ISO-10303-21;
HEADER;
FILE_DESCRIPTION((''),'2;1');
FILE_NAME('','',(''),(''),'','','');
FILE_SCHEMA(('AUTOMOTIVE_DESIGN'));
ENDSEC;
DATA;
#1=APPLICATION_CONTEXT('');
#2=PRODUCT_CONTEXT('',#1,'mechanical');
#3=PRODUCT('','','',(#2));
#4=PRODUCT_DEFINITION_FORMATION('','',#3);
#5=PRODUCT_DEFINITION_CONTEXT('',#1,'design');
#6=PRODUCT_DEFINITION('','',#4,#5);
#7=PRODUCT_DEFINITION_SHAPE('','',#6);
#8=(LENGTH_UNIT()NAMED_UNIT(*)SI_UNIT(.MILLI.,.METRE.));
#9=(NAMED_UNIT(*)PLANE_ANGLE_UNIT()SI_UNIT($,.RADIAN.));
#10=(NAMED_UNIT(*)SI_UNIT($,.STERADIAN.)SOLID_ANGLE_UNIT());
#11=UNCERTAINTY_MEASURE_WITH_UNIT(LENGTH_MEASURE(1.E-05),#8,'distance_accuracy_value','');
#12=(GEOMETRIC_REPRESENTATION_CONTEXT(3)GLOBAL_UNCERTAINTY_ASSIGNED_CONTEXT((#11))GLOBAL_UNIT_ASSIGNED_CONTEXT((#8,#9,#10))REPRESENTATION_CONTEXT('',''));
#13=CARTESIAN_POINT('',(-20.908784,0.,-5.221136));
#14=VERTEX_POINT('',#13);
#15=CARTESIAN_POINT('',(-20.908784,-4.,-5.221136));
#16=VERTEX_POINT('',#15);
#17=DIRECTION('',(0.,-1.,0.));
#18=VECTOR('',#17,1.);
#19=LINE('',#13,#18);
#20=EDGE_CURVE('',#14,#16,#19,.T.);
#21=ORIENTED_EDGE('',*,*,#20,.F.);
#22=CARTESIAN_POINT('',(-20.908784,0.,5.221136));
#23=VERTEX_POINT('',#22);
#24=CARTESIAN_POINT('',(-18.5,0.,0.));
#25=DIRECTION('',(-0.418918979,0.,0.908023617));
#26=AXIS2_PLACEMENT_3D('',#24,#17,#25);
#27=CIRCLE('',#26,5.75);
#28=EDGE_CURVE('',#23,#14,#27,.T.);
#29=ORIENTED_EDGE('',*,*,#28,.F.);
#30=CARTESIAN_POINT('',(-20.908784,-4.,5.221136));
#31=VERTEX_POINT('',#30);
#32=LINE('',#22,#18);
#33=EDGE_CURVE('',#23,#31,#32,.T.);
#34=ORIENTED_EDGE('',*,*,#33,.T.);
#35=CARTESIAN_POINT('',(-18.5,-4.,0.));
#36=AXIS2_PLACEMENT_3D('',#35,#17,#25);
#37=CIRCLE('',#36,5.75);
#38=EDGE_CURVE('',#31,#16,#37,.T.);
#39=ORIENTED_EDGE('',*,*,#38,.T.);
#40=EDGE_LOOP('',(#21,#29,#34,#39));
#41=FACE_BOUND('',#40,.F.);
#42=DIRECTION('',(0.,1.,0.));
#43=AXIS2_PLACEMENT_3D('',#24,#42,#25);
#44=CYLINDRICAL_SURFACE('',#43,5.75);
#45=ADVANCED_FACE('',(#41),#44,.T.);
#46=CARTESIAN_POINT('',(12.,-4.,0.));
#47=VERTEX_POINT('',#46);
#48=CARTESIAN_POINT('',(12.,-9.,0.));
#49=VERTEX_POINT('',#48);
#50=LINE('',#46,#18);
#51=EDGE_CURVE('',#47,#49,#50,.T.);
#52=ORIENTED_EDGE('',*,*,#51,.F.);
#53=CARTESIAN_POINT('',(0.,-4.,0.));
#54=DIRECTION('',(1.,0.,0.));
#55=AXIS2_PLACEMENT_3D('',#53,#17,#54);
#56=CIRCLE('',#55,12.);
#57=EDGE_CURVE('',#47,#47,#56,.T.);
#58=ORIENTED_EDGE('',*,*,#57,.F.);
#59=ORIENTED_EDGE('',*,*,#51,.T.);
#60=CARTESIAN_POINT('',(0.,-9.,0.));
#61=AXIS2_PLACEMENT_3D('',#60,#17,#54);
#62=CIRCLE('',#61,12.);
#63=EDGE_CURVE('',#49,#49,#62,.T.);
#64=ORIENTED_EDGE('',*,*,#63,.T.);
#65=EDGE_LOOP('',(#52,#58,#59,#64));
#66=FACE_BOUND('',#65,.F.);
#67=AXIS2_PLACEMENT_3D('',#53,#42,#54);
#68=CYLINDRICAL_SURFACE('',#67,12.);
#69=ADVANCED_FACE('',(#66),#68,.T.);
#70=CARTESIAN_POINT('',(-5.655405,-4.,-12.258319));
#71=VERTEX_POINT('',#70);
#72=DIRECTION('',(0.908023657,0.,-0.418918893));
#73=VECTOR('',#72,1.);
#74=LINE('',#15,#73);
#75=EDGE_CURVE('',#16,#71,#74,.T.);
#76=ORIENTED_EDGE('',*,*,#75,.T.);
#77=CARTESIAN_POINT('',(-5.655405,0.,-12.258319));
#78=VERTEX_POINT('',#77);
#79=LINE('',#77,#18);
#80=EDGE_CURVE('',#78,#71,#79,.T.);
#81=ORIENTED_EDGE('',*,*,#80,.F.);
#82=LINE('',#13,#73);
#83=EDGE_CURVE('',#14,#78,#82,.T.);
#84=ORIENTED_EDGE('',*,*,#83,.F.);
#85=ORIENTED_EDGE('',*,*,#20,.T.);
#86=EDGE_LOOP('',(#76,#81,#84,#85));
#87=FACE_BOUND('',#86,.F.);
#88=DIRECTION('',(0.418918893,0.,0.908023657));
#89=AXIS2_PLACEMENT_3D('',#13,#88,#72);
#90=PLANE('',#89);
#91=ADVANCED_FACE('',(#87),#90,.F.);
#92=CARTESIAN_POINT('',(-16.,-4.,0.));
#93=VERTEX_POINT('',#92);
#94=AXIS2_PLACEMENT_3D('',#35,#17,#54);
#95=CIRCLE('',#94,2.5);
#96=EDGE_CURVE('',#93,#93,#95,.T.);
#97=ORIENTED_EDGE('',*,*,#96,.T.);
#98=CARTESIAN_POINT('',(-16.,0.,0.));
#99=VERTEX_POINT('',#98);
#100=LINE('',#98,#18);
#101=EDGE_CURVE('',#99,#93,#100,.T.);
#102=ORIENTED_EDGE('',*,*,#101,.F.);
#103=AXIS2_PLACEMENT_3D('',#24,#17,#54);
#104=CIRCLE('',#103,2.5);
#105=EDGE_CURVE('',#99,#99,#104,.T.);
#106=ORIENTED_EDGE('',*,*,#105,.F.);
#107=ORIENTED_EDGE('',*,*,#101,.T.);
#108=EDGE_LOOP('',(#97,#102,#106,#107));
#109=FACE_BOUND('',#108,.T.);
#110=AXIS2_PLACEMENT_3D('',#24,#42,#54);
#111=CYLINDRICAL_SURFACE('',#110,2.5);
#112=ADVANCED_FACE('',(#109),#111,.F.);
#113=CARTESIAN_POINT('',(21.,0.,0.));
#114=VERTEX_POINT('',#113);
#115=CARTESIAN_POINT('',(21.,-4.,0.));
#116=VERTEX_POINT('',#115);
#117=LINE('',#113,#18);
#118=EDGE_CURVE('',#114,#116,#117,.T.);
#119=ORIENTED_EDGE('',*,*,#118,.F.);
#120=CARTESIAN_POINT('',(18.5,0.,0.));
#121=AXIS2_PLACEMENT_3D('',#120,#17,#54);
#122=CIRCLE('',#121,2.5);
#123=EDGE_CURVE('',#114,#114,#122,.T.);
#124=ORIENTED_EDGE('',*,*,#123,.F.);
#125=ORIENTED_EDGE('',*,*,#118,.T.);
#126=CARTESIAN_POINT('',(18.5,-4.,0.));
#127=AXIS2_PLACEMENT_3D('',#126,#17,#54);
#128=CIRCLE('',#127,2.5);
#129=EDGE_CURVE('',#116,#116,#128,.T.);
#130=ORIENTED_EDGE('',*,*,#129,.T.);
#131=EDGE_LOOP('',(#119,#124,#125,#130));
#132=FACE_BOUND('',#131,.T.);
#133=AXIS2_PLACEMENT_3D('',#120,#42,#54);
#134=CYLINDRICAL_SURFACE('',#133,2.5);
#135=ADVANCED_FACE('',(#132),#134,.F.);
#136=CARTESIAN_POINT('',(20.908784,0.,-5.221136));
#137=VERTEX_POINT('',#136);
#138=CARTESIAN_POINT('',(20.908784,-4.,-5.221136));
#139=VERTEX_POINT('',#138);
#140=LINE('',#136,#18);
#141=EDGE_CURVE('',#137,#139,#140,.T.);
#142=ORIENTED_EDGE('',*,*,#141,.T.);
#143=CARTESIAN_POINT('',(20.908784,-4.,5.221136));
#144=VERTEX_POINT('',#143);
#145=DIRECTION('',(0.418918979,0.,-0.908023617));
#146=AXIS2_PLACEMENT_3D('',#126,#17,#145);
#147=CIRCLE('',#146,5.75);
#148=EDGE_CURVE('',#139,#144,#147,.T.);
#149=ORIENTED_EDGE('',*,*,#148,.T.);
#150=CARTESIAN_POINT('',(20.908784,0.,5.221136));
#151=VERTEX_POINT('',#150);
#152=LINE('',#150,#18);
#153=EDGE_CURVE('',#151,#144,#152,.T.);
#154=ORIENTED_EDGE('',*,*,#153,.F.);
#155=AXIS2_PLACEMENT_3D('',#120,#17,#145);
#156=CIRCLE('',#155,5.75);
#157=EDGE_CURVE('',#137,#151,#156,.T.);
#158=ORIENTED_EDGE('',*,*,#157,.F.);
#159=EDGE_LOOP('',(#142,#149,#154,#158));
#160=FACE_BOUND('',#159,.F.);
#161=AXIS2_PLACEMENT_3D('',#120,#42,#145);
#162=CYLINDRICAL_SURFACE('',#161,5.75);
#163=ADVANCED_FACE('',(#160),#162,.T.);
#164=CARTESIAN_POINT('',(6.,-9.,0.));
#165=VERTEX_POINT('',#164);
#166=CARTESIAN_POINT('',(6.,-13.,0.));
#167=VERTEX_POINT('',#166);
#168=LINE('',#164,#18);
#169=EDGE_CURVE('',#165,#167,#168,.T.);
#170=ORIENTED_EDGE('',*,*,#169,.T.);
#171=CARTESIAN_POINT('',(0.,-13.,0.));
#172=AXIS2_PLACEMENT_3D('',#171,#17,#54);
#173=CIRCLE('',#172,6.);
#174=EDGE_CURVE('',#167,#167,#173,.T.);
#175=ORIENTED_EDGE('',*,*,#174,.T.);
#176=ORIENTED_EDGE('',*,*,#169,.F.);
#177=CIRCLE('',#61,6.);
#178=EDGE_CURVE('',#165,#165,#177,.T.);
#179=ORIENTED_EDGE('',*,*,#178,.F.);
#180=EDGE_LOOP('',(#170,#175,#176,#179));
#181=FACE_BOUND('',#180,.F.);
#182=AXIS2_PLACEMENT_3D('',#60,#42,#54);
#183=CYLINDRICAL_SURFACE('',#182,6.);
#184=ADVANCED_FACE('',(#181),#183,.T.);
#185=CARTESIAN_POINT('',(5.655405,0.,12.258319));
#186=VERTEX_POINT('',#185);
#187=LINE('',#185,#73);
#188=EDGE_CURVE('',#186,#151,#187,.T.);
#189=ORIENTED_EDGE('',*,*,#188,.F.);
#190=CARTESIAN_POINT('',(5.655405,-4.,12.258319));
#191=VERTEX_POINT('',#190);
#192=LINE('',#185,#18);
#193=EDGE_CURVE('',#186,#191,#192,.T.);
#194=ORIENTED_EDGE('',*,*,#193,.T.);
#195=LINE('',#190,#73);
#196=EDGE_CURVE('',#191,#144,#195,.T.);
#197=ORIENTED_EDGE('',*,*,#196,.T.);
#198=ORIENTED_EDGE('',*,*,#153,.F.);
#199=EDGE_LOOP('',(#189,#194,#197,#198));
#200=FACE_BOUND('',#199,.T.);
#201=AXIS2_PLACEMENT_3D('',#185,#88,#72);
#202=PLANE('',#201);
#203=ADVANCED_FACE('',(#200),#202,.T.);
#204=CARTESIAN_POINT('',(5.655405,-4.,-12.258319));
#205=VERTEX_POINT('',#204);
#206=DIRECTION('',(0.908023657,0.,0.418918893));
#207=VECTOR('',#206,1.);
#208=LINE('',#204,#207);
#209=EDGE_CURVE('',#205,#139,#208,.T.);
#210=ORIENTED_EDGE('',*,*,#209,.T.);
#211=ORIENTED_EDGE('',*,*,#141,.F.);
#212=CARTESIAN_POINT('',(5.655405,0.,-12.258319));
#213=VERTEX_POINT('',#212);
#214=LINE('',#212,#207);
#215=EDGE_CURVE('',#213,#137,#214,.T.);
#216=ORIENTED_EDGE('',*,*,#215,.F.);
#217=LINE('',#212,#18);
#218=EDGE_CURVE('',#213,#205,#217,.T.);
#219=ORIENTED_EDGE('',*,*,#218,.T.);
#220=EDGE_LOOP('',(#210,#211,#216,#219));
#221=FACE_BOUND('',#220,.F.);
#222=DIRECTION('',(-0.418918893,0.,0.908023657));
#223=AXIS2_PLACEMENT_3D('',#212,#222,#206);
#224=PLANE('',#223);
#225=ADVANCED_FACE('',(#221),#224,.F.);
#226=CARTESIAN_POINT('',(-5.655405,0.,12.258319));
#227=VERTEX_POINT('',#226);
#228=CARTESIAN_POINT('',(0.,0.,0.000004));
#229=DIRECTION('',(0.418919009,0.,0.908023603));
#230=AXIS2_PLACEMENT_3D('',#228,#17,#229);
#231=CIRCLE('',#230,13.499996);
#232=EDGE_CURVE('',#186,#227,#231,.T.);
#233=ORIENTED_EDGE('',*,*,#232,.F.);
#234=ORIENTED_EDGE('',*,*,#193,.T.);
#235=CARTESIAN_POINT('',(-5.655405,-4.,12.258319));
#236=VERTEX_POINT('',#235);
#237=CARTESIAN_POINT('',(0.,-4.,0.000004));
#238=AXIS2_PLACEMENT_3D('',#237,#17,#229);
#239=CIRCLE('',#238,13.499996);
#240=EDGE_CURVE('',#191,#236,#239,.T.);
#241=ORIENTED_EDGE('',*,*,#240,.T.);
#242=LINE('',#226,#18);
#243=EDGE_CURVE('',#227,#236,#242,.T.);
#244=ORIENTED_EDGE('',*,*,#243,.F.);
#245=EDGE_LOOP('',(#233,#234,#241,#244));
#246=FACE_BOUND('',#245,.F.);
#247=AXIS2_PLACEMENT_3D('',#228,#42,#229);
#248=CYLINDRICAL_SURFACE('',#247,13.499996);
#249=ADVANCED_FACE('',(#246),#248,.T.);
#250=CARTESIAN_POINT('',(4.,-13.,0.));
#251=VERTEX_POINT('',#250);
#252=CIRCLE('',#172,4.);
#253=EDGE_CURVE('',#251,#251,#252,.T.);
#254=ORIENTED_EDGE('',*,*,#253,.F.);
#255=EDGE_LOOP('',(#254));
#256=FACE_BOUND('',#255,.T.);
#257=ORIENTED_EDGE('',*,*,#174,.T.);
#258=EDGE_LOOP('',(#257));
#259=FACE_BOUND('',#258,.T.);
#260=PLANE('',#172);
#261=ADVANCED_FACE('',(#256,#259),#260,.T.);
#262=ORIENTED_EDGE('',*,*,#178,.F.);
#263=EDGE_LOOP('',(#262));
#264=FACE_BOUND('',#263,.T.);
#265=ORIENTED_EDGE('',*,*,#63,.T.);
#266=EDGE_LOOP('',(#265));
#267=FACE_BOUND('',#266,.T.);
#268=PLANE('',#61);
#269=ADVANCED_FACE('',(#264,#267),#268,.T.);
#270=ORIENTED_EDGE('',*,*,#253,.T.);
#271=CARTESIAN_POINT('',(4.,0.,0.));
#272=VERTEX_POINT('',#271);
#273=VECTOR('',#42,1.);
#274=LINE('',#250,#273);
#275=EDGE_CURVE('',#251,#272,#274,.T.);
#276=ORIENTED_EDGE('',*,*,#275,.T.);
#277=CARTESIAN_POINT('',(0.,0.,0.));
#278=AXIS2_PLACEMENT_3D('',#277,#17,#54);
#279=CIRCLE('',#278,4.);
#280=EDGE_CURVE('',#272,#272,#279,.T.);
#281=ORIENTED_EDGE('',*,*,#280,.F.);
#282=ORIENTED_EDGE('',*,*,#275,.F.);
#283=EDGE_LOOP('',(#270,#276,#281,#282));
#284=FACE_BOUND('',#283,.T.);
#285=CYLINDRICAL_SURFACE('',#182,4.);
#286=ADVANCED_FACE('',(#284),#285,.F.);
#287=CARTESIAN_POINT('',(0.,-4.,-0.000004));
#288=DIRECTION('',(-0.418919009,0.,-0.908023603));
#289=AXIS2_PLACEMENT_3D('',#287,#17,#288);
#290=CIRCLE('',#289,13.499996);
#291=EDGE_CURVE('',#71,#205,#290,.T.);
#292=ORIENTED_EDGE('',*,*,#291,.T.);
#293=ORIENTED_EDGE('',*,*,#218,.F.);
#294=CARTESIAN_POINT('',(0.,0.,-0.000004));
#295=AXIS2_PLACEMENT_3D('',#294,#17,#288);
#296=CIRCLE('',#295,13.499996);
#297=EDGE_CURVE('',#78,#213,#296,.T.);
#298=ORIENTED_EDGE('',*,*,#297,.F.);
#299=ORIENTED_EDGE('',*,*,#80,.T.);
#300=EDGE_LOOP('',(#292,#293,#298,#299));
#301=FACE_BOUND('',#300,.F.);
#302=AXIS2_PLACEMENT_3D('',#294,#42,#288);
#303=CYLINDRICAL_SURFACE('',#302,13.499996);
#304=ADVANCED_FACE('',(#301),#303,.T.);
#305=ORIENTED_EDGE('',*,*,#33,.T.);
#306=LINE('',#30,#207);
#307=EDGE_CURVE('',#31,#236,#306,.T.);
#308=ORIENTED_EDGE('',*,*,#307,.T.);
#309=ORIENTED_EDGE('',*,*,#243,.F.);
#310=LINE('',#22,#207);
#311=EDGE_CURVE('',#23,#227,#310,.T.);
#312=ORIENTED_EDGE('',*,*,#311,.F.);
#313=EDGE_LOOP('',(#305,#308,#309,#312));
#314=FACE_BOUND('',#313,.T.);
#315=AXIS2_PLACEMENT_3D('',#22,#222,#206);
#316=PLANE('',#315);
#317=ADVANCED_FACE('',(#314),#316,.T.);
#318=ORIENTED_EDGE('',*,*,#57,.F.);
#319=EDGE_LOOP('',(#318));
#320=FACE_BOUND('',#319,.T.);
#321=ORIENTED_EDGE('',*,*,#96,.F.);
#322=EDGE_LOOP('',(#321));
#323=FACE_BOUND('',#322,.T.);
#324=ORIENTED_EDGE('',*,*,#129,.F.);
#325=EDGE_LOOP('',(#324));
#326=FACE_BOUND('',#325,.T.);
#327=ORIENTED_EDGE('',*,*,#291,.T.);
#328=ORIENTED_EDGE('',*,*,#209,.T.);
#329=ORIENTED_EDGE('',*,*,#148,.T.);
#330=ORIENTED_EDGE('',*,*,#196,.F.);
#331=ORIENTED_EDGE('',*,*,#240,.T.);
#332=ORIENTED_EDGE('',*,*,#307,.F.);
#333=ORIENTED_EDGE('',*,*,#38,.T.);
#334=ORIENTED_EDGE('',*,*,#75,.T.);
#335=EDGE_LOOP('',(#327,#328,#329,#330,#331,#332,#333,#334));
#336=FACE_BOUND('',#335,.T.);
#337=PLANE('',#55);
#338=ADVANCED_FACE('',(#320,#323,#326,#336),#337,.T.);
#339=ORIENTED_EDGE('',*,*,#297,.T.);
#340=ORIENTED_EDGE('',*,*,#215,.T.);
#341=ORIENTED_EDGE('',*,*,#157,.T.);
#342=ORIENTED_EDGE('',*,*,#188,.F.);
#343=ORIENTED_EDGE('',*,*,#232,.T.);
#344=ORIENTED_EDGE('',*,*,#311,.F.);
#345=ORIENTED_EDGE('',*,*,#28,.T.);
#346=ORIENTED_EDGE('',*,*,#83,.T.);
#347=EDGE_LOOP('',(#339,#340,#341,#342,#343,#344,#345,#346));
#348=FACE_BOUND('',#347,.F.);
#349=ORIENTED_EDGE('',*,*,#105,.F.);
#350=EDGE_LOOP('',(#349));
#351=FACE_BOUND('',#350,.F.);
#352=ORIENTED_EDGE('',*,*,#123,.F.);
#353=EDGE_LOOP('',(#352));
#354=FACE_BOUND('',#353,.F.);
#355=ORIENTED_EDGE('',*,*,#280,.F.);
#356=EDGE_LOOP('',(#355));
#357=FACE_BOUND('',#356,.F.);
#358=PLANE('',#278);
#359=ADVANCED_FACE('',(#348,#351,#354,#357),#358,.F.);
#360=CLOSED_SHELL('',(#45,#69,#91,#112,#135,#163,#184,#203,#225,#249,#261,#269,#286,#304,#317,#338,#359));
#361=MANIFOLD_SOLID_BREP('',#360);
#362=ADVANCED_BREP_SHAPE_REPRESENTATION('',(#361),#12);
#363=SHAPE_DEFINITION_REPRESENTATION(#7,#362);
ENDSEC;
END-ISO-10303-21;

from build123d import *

# Parameters (mm, degrees)
SKETCH_R      = 4
SKETCH_R_2    = 2.5
PAD_DEPTH     = 4
SKETCH001_R   = 12
SKETCH001_R_2 = 4
PAD001_DEPTH  = 5
SKETCH002_R   = 6
SKETCH002_R_2 = 4
PAD002_DEPTH  = 4


with BuildPart() as part:
    # Sketch → Pad (new body)
    with BuildSketch(Plane.XZ):
        with BuildLine():
            ThreePointArc((5.655405, 12.258319), (0, 13.5), (-5.655405, 12.258319))
            Line((-20.908784, 5.221136), (-5.655405, 12.258319))
            ThreePointArc((-20.908784, 5.221136), (-24.25, 0), (-20.908784, -5.221136))
            Line((-20.908784, -5.221136), (-5.655405, -12.258319))
            ThreePointArc((-5.655405, -12.258319), (0, -13.5), (5.655405, -12.258319))
            Line((5.655405, -12.258319), (20.908784, -5.221136))
            ThreePointArc((20.908784, -5.221136), (24.25, 0), (20.908784, 5.221136))
            Line((5.655405, 12.258319), (20.908784, 5.221136))
        make_face()
        Circle(SKETCH_R, mode=Mode.SUBTRACT)
        with Locations((18.5, 0)):
            Circle(SKETCH_R_2, mode=Mode.SUBTRACT)
        with Locations((-18.5, 0)):
            Circle(SKETCH_R_2, mode=Mode.SUBTRACT)
    extrude(amount=PAD_DEPTH)

    # Sketch001 (on Face13 of Pad) → Pad001 (join)
    with BuildSketch(Plane.XZ.offset(4)):
        Circle(SKETCH001_R)
        Circle(SKETCH001_R_2, mode=Mode.SUBTRACT)
    extrude(amount=PAD001_DEPTH)

    # Sketch002 (on Face16 of Pad001) → Pad002 (join)
    with BuildSketch(Plane.XZ.offset(9)):
        Circle(SKETCH002_R)
        Circle(SKETCH002_R_2, mode=Mode.SUBTRACT)
    extrude(amount=PAD002_DEPTH)


solid = part.part
